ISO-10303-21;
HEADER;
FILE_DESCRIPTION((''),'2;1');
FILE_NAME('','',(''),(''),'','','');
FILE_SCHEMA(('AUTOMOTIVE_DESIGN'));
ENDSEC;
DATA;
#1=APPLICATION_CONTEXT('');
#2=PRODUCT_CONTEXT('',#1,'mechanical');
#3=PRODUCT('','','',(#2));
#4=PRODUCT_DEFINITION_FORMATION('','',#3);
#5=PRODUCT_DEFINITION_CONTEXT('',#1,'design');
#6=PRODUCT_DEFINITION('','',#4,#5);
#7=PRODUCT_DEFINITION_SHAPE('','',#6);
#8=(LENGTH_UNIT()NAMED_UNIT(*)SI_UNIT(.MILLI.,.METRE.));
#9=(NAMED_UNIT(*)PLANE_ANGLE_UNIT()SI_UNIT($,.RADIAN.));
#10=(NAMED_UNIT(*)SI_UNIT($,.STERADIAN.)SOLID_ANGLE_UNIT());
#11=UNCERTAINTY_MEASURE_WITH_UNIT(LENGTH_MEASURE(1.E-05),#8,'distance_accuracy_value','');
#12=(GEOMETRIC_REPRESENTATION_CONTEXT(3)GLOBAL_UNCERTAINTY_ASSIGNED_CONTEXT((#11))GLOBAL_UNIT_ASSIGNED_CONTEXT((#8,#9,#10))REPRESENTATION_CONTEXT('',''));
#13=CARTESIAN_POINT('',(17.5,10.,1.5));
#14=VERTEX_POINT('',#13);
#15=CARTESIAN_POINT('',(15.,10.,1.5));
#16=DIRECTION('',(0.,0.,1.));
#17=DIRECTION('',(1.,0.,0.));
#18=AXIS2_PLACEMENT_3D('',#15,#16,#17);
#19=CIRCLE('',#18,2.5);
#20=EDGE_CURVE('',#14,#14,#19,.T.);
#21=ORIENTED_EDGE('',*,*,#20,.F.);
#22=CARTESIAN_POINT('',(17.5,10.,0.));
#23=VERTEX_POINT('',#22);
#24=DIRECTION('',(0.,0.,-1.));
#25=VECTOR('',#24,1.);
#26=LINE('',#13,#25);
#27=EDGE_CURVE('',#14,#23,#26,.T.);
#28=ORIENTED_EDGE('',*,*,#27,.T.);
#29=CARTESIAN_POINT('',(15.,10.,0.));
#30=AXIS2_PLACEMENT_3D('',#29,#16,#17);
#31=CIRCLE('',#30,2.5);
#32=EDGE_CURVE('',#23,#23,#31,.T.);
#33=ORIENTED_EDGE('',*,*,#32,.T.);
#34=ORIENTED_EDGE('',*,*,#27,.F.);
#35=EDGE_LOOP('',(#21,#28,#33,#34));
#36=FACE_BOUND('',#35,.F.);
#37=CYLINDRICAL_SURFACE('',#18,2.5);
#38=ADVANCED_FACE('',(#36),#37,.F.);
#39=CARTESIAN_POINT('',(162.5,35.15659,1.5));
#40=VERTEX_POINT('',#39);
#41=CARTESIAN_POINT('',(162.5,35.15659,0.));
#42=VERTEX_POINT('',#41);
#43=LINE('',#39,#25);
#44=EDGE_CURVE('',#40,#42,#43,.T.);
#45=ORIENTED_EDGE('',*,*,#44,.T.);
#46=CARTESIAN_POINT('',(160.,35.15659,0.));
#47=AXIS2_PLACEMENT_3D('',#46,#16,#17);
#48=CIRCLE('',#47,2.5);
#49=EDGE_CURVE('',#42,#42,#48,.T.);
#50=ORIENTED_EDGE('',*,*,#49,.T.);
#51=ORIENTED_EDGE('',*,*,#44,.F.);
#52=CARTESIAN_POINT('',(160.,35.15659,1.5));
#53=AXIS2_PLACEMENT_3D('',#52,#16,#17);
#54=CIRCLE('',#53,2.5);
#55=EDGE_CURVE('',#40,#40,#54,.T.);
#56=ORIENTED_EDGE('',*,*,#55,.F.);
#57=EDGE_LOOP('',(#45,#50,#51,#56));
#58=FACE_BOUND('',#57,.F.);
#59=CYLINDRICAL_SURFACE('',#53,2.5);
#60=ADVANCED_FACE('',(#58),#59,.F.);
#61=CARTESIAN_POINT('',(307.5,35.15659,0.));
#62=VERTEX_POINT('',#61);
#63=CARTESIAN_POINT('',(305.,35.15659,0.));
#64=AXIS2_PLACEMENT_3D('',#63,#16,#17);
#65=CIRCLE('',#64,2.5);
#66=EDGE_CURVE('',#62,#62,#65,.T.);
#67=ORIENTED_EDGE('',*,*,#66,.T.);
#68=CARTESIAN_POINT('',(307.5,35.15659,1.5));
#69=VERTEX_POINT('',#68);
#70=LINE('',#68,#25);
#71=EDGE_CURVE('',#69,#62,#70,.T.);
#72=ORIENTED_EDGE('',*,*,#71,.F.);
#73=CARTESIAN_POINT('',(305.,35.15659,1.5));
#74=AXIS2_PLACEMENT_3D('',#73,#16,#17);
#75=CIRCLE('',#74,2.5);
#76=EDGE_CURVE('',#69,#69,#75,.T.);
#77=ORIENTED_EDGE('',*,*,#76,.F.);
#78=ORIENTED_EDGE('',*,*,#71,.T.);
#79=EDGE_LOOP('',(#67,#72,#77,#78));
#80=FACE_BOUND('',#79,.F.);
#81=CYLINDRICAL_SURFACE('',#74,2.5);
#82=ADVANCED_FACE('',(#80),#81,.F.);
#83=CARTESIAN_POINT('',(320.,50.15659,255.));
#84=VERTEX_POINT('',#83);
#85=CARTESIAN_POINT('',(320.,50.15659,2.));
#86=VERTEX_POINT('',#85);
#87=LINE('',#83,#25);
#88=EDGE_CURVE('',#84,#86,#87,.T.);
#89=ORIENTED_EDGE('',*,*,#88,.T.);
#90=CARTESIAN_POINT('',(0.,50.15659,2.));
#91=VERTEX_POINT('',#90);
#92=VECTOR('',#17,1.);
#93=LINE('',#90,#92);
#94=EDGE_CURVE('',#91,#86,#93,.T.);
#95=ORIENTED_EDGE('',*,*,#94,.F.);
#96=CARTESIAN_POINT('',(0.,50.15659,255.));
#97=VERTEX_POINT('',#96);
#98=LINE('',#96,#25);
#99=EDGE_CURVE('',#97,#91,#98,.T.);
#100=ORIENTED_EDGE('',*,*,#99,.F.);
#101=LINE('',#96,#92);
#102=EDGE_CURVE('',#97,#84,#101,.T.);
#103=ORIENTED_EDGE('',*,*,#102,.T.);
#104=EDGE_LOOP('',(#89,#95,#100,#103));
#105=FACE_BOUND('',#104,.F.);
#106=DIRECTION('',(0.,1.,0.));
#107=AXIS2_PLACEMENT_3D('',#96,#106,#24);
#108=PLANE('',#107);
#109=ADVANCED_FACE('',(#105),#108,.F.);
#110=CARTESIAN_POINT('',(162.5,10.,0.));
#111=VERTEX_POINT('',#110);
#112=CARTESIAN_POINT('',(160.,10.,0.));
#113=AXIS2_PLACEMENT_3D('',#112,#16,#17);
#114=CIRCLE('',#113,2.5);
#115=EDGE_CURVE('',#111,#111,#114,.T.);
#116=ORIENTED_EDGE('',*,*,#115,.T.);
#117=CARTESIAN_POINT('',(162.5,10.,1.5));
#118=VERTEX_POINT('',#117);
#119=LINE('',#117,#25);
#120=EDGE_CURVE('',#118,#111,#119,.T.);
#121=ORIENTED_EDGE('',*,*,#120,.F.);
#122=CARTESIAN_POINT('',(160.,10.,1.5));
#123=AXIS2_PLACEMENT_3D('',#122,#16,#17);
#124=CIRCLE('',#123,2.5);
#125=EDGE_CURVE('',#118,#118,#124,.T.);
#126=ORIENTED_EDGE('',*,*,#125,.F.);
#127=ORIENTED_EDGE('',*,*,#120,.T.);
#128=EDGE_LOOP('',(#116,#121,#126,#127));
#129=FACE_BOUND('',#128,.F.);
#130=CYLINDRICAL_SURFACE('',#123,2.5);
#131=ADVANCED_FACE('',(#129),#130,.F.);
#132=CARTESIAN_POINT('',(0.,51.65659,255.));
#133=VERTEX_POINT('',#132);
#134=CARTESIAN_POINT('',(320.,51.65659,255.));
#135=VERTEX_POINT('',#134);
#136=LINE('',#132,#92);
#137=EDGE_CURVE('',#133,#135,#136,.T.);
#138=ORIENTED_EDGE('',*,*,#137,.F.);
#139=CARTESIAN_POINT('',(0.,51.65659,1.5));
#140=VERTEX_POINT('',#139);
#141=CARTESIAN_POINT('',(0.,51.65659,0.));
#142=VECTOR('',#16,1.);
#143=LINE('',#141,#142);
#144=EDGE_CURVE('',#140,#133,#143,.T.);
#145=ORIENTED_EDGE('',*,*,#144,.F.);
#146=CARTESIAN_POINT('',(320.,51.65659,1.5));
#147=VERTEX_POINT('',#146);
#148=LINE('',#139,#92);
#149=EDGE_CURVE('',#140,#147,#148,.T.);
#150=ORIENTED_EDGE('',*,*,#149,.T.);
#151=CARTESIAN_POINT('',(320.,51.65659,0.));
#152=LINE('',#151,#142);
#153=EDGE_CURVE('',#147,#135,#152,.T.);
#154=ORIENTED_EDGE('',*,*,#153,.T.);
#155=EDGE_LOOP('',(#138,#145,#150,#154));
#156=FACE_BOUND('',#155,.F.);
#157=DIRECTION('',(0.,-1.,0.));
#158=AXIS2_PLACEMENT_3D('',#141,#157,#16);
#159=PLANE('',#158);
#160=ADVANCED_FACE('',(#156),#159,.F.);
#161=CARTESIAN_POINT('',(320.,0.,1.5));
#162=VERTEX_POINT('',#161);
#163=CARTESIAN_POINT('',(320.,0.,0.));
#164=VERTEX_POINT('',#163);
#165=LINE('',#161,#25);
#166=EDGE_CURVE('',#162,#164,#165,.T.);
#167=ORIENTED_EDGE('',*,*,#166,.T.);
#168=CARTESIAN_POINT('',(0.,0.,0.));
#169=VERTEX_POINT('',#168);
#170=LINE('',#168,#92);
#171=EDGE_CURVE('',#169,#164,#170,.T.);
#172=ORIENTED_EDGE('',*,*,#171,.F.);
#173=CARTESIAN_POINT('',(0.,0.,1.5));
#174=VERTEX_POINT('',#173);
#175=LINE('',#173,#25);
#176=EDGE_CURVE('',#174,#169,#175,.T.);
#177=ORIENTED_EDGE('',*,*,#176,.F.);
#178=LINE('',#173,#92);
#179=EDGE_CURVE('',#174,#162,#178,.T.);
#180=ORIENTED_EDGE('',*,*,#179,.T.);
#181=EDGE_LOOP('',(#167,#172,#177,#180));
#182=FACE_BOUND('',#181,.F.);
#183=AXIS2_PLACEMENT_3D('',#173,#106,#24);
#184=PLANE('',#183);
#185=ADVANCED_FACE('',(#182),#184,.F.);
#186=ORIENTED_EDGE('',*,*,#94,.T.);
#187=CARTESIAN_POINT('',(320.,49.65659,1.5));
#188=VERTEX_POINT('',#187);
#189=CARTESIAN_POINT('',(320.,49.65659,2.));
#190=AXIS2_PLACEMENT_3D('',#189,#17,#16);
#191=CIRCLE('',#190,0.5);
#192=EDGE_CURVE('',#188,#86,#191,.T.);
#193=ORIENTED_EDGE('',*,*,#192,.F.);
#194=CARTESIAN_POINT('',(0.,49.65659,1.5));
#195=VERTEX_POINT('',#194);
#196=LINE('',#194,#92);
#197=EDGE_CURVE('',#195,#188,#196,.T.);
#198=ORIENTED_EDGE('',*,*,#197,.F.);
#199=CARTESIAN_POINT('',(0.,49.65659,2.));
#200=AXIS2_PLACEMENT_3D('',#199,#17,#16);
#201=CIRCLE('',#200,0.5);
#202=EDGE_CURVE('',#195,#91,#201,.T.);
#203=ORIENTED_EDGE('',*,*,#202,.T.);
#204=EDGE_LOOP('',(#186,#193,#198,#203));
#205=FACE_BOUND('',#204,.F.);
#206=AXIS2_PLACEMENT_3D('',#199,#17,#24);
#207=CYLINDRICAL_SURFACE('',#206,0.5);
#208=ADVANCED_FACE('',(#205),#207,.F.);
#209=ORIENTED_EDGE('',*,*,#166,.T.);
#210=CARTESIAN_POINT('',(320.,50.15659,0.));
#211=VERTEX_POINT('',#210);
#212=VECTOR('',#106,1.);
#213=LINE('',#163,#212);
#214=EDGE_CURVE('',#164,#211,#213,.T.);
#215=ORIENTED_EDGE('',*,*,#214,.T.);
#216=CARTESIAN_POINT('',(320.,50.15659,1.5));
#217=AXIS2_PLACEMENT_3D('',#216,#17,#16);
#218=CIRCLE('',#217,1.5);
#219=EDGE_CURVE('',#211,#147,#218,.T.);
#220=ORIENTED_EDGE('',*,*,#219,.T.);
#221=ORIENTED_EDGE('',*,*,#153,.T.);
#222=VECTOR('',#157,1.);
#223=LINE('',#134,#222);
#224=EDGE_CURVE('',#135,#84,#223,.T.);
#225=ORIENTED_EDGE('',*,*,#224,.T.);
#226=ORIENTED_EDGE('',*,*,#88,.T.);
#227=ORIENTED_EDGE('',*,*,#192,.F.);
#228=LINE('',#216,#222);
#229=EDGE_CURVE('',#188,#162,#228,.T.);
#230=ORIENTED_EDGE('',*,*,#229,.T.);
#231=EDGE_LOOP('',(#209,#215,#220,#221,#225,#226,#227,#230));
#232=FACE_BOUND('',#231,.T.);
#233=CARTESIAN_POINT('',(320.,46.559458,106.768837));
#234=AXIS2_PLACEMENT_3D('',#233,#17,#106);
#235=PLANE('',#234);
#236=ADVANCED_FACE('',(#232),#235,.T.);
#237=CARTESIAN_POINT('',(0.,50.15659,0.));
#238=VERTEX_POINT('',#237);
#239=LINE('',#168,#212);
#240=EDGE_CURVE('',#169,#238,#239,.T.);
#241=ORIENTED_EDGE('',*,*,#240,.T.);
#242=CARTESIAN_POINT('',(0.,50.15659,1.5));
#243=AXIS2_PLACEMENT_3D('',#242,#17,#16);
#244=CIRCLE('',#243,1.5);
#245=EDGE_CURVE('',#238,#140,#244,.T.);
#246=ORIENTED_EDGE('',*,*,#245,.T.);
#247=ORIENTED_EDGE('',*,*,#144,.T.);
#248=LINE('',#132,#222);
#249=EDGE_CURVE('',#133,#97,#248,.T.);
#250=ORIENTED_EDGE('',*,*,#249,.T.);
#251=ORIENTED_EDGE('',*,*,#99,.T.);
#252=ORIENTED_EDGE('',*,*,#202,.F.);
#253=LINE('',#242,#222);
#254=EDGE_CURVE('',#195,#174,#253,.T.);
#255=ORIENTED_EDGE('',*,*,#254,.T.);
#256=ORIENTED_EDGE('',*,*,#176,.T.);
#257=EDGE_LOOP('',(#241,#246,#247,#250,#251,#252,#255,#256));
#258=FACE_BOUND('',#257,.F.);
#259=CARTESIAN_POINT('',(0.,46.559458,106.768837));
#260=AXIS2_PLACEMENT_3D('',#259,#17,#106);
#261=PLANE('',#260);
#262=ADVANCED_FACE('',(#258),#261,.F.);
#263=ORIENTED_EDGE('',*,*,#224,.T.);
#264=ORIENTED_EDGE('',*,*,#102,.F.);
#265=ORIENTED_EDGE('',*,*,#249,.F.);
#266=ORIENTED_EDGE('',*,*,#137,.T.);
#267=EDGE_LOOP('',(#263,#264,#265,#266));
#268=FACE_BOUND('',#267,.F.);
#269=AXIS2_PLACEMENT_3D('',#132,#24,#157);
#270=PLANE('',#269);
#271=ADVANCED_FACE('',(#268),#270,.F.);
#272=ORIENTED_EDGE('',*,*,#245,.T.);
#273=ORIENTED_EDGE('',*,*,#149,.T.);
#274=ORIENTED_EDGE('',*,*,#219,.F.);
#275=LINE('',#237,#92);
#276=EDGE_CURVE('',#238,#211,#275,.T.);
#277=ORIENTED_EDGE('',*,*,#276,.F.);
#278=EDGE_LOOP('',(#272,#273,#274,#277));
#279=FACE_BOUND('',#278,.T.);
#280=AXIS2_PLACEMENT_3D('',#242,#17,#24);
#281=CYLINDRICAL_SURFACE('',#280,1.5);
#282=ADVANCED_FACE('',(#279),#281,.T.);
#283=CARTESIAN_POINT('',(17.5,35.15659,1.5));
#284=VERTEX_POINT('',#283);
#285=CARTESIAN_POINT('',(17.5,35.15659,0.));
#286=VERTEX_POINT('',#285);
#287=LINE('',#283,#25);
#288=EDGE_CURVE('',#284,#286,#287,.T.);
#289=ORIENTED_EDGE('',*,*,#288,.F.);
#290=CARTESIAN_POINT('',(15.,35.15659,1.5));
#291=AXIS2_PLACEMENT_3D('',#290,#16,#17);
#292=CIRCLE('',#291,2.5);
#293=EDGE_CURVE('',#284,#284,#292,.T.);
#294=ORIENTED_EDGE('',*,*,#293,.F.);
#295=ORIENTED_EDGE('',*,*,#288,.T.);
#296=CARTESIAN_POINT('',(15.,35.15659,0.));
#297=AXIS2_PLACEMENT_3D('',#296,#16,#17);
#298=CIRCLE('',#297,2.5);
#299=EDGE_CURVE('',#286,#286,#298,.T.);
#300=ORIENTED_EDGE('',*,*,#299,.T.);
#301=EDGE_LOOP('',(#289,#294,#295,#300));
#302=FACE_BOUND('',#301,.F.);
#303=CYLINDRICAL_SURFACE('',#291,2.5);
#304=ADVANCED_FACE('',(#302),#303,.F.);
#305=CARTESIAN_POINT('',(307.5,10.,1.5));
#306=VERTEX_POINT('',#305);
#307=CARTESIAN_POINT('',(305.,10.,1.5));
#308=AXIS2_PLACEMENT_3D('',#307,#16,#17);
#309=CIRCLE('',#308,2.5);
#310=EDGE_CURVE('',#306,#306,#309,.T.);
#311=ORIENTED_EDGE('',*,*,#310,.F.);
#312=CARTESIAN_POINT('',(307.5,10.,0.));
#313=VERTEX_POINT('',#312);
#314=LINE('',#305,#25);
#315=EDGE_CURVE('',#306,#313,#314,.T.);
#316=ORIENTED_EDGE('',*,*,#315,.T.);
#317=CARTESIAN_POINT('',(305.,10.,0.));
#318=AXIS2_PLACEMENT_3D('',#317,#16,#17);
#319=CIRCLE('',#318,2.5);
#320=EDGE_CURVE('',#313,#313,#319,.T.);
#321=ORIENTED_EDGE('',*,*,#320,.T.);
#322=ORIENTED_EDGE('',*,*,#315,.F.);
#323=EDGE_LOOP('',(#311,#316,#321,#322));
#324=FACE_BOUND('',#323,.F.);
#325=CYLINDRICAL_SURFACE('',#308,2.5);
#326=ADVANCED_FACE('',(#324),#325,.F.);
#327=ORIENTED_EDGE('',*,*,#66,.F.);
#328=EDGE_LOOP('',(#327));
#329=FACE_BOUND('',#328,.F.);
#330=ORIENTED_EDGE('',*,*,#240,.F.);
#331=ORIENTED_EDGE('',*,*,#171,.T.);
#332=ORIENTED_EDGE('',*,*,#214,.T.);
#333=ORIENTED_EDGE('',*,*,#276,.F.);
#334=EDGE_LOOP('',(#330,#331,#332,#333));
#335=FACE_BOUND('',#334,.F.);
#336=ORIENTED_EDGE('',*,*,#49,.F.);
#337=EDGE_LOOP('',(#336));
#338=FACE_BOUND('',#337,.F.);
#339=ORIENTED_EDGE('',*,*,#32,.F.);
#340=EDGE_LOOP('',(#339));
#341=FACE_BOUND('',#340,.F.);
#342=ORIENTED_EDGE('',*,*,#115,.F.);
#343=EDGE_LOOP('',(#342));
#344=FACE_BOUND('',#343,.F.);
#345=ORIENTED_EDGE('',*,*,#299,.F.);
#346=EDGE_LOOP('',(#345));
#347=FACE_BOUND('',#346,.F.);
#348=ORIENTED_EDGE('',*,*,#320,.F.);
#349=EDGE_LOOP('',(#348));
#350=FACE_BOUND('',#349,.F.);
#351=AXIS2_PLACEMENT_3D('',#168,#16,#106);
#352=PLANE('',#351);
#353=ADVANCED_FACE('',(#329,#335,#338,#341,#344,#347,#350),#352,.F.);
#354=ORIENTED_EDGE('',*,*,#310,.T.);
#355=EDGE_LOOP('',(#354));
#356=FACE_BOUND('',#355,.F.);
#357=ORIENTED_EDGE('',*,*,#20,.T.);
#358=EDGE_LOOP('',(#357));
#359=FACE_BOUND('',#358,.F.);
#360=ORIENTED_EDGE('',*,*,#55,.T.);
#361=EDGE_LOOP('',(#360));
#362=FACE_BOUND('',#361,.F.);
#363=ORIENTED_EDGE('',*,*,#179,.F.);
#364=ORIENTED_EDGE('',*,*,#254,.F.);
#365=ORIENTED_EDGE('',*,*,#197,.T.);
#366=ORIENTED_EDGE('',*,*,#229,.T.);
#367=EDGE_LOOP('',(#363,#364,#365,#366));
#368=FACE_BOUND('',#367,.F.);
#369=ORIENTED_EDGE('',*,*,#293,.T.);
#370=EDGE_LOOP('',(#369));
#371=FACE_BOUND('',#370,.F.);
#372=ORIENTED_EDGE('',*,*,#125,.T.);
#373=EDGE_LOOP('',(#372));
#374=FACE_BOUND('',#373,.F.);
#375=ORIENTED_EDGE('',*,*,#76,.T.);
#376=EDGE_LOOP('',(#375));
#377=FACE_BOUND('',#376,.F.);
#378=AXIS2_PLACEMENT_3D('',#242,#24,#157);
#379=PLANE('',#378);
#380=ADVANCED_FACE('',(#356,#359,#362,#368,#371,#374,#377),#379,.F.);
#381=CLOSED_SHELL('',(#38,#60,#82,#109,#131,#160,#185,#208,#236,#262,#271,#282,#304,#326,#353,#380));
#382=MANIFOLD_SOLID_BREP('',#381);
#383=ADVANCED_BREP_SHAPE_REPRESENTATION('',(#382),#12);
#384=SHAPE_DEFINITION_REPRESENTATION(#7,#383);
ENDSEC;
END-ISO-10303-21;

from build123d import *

# Parameters (mm, degrees)
F1_DEPTH = 320
F2_R     = 1.5
F3_R     = 0.5
F4_R     = 2.5
F5_DEPTH = 1.501


with BuildPart() as f1:
    # F0 (on Right) → F1 (new body)
    with BuildSketch(Plane.YZ):
        Polygon((0, 1.5), (0, 0), (51.65659, 0), (51.65659, 255), (50.15659, 255), (50.15659, 1.5), align=None)
    extrude(amount=F1_DEPTH)

    # F2
    f2_edges = [f1.edges().sort_by_distance(p)[0] for p in [
        (160, 51.65659, 0),
    ]]
    fillet(f2_edges, radius=F2_R)

    # F3
    f3_edges = [f1.edges().sort_by_distance(p)[0] for p in [
        (160, 50.15659, 1.5),
    ]]
    fillet(f3_edges, radius=F3_R)

    # F4 (on face) → F5 (cut, through all)
    with BuildSketch(Plane.XY.offset(1.5)):
        with Locations((15, 35.15659)):
            Circle(F4_R)
        with Locations((15, 10)):
            Circle(F4_R)
        with Locations((160, 10)):
            Circle(F4_R)
        with Locations((160, 35.15659)):
            Circle(F4_R)
        with Locations((305, 35.15659)):
            Circle(F4_R)
        with Locations((305, 10)):
            Circle(F4_R)
    extrude(amount=-F5_DEPTH, mode=Mode.SUBTRACT)


solid = f1.part
